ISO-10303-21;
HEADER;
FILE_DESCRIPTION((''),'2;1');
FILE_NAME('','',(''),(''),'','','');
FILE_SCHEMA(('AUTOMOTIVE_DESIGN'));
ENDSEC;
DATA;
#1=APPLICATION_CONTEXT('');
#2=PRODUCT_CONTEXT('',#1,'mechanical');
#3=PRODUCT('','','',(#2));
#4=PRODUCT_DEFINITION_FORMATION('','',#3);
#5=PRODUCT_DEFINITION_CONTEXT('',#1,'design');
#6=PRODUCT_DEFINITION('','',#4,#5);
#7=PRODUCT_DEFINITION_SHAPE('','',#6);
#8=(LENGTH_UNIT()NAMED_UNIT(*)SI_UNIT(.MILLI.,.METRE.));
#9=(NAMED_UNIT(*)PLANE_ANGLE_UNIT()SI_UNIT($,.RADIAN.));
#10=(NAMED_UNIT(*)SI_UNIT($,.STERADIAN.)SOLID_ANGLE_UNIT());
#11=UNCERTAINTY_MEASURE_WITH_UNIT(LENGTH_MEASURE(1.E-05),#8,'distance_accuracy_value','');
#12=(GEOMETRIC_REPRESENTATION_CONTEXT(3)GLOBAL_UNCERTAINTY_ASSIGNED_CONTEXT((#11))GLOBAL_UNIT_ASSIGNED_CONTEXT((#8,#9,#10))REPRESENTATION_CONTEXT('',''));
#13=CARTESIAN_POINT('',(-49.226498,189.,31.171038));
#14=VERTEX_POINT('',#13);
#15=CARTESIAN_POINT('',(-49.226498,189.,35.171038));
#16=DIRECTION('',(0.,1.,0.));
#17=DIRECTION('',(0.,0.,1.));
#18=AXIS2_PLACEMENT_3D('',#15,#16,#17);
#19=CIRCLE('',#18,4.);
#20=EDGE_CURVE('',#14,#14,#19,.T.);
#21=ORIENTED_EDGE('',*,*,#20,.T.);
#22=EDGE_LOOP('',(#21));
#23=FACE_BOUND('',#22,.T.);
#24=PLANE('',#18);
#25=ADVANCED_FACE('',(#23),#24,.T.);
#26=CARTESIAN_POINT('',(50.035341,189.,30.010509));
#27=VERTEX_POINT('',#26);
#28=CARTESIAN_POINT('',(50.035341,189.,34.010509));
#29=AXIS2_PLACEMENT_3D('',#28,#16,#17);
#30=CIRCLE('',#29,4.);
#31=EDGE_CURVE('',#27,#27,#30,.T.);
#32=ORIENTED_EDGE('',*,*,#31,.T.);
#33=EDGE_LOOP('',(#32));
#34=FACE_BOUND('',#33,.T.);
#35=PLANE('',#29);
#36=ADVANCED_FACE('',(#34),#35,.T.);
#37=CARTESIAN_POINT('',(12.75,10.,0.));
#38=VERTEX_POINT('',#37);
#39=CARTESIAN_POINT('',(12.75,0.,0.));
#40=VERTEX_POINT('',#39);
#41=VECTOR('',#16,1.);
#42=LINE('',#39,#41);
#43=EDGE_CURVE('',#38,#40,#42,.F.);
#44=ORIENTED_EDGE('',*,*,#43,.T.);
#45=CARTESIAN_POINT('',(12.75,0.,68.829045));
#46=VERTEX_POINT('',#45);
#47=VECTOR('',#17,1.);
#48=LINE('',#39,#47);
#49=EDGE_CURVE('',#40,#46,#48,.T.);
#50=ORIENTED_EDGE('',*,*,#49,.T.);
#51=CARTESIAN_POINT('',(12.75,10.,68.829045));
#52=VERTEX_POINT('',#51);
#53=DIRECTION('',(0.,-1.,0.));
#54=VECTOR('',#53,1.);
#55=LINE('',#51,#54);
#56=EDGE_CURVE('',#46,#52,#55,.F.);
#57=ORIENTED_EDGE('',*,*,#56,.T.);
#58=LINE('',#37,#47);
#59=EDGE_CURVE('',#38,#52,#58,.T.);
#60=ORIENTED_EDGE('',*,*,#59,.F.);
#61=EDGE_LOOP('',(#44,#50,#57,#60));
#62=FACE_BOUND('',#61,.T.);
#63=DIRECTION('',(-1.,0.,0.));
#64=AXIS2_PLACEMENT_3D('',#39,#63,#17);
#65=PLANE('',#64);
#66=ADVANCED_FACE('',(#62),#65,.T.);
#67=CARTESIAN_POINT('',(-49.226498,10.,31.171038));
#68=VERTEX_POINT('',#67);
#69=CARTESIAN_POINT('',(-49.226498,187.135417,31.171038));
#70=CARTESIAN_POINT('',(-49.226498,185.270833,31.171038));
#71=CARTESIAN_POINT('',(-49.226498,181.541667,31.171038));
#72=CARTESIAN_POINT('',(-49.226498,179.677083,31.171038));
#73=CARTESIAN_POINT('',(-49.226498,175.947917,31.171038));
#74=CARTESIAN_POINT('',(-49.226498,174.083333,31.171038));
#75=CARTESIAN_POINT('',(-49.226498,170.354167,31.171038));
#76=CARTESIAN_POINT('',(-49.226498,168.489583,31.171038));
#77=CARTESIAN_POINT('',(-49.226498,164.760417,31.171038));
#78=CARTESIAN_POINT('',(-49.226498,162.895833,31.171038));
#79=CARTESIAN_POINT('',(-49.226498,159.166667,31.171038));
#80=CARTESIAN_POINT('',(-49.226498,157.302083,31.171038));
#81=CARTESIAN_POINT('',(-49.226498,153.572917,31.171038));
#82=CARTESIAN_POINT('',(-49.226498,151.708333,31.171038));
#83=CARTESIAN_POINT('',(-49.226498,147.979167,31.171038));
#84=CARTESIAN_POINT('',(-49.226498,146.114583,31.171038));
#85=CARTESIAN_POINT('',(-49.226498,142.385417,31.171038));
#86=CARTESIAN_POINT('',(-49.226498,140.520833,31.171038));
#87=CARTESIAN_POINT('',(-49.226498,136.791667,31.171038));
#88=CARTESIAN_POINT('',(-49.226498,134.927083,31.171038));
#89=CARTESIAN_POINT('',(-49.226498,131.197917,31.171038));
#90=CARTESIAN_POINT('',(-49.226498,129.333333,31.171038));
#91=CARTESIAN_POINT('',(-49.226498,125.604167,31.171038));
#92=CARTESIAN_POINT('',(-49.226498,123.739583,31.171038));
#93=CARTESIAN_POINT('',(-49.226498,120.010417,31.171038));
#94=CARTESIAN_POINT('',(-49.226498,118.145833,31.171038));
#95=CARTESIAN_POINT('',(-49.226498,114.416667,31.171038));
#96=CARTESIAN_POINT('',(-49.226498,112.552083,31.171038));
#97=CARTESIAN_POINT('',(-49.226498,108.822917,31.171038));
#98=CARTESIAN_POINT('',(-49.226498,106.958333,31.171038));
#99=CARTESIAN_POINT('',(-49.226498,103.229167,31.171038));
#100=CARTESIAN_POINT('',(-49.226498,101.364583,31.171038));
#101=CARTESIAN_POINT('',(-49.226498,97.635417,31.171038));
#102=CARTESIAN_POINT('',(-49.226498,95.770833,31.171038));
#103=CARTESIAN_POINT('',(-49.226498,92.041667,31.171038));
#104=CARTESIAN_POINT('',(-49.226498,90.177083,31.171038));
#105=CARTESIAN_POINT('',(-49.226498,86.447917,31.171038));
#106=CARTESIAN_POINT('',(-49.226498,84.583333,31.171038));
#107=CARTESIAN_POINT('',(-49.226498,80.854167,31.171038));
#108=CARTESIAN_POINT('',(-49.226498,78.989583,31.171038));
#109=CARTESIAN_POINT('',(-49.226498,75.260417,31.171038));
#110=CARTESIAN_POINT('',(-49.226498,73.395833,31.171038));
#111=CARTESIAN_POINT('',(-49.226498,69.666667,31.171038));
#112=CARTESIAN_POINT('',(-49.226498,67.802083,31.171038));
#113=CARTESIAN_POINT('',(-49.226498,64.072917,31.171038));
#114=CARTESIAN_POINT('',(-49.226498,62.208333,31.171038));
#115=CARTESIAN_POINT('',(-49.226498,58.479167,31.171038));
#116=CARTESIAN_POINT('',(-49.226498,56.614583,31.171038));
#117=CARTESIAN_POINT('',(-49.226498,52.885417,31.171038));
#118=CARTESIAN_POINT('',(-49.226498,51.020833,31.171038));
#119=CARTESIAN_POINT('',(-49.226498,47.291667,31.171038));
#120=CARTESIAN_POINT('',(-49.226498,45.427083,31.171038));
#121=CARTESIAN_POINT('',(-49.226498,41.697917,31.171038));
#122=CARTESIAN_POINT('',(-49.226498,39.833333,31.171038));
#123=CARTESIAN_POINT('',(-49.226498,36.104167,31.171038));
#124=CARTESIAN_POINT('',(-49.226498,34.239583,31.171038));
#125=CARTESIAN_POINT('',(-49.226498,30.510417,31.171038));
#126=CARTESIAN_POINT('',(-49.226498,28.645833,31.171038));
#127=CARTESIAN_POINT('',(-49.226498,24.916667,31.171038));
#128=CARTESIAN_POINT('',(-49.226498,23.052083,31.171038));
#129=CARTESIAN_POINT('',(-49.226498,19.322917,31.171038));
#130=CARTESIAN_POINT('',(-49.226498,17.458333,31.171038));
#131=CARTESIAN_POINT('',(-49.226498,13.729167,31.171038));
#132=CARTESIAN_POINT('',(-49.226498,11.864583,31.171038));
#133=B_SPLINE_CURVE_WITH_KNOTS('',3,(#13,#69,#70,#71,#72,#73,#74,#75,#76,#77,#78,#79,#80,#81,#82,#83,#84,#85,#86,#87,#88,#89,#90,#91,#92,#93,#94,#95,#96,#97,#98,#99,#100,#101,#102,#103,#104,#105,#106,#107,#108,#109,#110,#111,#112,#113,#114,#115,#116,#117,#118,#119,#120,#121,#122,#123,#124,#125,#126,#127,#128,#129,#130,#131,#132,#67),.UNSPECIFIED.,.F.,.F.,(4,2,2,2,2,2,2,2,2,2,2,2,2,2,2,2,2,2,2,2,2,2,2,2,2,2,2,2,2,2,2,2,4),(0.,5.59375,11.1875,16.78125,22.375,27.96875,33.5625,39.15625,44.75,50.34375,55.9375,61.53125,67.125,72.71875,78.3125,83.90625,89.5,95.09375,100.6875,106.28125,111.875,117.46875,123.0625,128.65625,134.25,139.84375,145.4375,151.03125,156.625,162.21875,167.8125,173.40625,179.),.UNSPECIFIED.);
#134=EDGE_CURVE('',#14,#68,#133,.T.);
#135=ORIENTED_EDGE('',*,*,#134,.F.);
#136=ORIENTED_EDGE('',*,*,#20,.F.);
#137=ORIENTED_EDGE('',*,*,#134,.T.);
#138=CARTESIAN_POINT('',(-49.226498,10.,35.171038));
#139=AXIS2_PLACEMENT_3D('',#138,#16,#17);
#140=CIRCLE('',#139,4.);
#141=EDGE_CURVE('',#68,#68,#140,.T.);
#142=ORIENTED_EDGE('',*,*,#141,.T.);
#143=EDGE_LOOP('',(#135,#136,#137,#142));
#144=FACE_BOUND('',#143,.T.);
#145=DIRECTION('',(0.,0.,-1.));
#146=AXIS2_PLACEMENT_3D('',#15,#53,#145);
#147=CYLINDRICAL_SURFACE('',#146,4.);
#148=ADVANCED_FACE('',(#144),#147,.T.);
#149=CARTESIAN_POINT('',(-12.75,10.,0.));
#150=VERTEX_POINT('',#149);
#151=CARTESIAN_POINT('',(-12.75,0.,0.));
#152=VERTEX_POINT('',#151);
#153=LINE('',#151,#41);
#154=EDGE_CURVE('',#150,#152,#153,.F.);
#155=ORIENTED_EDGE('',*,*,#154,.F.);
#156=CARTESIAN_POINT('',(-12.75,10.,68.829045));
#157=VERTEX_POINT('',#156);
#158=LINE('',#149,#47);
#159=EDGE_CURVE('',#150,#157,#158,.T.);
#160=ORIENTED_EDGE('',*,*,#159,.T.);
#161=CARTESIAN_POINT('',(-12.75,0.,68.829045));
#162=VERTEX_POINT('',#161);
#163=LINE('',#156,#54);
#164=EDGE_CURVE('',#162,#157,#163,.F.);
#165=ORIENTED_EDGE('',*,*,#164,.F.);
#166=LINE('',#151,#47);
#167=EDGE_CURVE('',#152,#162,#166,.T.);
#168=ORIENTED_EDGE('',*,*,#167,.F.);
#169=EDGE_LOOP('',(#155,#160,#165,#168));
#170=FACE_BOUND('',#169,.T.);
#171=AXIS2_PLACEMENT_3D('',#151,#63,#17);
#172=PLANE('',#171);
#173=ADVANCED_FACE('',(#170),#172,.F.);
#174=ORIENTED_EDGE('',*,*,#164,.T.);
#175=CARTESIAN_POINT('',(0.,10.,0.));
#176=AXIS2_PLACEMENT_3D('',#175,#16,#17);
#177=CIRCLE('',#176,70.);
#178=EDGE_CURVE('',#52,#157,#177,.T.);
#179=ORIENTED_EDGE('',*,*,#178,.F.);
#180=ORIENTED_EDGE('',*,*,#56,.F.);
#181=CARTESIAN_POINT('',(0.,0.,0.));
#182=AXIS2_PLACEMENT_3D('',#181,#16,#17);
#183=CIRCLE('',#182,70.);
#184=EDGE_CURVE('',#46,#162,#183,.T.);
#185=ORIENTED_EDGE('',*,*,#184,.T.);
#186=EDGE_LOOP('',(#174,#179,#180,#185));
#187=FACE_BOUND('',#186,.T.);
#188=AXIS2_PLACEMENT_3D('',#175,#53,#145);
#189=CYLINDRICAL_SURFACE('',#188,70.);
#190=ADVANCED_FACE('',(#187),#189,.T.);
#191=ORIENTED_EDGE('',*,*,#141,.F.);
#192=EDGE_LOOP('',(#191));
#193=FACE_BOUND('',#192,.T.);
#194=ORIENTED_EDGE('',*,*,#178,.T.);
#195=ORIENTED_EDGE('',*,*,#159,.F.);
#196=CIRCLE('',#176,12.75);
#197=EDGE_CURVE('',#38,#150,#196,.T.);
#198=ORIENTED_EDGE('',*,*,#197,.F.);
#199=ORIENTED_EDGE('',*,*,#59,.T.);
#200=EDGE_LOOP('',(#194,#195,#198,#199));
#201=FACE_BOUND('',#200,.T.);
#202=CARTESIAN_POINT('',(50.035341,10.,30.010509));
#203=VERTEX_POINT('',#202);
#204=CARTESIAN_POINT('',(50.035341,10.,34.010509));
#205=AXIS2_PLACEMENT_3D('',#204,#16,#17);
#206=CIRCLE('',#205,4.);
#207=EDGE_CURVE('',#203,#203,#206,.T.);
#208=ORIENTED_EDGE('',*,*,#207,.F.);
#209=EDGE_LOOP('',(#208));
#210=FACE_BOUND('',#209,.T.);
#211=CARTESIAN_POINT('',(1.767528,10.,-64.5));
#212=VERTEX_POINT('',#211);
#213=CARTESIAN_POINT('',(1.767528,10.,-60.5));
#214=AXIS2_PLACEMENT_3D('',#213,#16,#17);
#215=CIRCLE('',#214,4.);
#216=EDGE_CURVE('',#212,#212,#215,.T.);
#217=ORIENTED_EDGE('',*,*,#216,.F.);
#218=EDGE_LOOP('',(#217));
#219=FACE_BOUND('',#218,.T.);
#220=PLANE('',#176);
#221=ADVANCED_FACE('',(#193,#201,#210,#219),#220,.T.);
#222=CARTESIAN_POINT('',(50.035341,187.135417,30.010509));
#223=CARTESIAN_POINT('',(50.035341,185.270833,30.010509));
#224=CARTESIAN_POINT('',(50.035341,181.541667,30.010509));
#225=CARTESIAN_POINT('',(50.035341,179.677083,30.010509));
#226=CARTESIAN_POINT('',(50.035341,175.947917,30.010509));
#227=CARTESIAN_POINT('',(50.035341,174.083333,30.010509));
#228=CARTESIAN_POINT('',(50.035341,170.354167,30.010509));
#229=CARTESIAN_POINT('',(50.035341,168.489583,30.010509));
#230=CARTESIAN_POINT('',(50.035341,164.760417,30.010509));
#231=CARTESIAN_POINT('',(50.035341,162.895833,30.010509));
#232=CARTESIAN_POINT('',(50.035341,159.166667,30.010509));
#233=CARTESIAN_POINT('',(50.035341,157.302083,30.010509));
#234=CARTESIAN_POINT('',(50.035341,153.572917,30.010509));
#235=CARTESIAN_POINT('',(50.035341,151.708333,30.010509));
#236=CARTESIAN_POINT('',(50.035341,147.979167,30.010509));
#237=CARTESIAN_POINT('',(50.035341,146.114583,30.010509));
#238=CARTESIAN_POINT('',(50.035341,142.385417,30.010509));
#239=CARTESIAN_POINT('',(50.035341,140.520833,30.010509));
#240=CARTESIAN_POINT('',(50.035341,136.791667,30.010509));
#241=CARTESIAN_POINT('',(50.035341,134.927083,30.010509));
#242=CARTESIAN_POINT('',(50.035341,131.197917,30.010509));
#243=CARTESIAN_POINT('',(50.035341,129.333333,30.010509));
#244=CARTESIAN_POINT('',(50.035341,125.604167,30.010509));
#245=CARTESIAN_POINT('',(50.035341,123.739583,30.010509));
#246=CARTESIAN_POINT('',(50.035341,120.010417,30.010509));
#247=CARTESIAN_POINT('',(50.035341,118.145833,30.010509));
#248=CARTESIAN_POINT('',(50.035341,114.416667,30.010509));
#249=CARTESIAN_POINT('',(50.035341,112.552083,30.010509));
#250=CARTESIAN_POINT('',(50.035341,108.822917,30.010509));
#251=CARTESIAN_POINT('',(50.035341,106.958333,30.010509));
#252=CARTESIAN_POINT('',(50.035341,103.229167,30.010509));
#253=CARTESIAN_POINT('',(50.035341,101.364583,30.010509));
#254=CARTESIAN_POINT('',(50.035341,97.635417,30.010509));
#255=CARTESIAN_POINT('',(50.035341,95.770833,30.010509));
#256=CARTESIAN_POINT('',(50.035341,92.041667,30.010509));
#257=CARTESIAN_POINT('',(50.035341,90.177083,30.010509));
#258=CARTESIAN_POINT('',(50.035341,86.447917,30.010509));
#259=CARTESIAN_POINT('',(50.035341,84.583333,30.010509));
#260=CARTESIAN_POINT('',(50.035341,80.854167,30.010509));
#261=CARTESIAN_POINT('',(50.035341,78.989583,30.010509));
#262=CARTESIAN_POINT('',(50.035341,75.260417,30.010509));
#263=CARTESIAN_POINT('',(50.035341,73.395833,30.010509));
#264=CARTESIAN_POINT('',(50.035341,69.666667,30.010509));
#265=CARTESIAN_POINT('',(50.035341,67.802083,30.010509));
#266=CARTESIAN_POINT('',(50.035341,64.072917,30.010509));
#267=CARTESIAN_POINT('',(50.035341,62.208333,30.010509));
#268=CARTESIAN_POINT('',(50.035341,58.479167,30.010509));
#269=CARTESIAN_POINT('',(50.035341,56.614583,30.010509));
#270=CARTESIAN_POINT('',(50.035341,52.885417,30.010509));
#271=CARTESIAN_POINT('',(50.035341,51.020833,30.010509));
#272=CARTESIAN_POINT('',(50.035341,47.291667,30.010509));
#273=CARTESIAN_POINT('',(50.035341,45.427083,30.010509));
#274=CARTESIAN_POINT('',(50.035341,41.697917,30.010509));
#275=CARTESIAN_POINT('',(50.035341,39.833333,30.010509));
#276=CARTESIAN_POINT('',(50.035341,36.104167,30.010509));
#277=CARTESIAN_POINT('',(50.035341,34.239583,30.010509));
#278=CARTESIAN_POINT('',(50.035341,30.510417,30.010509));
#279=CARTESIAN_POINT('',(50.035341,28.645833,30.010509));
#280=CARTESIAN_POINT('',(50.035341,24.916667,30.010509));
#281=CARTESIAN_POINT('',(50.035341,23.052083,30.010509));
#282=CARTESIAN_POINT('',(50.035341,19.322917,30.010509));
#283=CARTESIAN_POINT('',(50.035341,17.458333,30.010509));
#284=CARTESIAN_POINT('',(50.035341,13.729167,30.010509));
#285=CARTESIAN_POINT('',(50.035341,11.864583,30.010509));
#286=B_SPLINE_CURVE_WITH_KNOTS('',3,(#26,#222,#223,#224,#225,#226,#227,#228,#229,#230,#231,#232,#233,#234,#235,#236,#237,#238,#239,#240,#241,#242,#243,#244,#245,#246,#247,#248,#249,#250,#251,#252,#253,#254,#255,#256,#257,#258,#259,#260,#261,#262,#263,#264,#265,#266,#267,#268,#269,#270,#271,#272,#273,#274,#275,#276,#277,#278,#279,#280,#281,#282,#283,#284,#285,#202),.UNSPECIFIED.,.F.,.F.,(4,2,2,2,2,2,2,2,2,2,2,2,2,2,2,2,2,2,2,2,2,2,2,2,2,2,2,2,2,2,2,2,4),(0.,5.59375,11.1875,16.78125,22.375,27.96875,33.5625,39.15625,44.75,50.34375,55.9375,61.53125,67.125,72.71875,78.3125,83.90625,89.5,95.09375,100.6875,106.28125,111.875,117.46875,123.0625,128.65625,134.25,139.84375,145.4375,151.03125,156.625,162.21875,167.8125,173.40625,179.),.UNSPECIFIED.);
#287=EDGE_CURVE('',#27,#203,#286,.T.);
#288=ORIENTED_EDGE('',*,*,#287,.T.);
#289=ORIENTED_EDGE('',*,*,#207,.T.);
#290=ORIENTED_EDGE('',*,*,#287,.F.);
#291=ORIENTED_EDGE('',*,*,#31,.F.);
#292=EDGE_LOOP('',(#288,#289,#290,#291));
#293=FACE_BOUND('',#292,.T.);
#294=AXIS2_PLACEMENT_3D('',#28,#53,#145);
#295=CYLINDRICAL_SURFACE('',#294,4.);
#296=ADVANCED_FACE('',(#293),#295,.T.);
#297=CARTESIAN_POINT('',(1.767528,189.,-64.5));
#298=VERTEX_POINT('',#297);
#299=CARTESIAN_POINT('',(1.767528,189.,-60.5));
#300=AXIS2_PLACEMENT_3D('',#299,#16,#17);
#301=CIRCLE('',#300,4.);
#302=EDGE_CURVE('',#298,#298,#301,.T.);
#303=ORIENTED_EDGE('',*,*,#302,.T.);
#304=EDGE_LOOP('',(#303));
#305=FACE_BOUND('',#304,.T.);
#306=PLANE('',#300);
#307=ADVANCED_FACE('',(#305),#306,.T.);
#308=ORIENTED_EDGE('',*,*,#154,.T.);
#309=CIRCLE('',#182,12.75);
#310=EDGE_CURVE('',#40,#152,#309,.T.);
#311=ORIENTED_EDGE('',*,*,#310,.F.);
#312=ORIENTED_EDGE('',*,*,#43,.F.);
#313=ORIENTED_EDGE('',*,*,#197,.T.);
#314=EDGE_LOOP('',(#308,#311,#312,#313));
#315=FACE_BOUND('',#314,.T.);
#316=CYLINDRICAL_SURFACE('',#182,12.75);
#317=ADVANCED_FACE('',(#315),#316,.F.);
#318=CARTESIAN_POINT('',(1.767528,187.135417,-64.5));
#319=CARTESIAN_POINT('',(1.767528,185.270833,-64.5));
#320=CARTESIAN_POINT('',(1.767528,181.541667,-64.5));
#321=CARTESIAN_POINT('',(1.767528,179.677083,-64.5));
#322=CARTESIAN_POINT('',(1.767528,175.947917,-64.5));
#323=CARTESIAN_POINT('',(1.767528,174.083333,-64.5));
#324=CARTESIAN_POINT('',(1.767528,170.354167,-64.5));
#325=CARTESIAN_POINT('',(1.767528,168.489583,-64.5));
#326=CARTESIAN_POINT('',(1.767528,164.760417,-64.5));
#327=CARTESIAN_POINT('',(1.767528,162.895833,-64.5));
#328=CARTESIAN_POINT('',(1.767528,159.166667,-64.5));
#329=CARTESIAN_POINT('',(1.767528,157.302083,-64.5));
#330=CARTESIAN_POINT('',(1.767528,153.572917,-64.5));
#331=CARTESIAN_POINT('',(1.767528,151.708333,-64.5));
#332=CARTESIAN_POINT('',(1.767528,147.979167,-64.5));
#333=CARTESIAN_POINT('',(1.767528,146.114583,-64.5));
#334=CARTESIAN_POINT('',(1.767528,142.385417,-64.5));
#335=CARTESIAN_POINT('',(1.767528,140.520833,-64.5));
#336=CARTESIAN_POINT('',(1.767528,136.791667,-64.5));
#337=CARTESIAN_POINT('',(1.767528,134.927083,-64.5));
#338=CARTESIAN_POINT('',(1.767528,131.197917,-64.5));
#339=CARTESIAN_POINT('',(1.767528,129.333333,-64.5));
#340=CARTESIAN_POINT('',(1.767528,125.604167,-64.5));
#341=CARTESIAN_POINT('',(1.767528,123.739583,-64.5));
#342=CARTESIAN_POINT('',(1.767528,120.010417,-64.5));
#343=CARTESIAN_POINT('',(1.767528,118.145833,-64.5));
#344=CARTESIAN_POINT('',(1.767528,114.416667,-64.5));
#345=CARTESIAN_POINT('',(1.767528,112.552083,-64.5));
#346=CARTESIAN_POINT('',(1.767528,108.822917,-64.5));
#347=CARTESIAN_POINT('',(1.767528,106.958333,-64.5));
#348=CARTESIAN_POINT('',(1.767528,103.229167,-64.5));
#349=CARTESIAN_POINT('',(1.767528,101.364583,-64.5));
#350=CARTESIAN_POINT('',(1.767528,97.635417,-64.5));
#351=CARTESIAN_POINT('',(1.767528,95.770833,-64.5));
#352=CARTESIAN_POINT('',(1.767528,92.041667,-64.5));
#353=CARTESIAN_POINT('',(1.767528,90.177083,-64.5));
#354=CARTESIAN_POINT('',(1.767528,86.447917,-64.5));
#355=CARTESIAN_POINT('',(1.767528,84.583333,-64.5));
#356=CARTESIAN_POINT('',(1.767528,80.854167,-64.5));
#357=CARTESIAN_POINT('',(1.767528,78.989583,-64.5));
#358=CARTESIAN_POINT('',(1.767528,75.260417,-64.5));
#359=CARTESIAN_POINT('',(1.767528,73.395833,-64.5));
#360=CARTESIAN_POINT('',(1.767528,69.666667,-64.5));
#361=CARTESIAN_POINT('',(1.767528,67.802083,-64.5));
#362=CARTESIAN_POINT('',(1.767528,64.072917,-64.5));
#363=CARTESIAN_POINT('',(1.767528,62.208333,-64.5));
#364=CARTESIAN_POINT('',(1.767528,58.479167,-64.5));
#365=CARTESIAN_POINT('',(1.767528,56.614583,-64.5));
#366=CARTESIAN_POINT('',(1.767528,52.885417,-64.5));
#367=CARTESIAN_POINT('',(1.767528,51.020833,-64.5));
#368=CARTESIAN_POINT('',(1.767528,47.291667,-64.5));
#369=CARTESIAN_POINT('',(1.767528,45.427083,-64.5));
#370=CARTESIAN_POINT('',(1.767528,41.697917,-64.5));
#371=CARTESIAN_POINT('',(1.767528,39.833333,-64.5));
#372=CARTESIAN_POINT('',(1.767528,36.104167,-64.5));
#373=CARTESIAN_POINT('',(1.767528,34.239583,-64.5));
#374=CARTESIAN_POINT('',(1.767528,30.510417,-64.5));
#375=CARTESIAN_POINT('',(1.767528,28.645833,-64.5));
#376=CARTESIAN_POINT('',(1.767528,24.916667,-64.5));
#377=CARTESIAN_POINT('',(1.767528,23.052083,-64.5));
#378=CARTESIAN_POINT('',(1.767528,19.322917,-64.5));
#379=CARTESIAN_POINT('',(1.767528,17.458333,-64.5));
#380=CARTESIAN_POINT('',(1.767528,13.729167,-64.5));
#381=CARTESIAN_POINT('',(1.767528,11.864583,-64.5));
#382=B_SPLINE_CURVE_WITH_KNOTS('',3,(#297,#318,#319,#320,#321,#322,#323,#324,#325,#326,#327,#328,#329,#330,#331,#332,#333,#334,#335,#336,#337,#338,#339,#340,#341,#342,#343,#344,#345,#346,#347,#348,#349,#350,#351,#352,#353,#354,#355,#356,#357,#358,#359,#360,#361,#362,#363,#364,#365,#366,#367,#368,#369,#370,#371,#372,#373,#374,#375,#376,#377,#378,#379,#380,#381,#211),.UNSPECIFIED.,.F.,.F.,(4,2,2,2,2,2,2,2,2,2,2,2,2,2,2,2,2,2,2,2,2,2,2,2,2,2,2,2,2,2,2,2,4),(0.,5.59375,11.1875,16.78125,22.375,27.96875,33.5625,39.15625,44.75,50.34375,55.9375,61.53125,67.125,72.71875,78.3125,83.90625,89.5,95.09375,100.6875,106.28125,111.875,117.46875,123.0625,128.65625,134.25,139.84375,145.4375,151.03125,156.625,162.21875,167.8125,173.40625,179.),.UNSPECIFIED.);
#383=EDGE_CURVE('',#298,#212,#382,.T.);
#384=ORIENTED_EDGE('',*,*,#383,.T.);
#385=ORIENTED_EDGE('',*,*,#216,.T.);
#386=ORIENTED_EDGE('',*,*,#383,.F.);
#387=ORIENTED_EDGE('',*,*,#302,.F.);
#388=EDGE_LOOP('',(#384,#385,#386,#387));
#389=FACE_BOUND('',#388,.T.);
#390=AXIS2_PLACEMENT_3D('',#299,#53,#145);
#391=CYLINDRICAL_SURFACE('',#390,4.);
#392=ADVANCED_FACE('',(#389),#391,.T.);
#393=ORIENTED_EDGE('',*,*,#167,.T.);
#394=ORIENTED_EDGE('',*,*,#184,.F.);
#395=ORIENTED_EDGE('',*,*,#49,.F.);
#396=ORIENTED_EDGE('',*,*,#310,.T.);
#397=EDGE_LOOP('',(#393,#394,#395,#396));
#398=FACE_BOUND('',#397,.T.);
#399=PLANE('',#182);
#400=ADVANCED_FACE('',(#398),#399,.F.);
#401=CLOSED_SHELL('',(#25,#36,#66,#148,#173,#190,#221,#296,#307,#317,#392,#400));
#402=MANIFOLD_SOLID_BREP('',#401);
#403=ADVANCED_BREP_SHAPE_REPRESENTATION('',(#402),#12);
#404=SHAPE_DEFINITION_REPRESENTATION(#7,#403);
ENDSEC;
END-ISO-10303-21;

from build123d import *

# Parameters (mm, degrees)
SKETCH_1_R          = 70
EXTRUDE_1_DEPTH     = 10
SKETCH_2_R          = 4
EXTRUDE_4_DEPTH     = 179
SKETCH_5_R          = 12.75
SKETCH_5_W          = 25.5
SKETCH_5_H          = 74.344778921
CUT_EXTRUDE_1_DEPTH = 10


with BuildPart() as part:
    # 草图1 → 凸台-拉伸1 (new body)
    with BuildSketch(Plane(origin=(0, 0, 0), x_dir=(1, 0, 0), z_dir=(0, 1, 0))):
        with Locations(Location((0, 0, 0), (0, 0, 270))):
            Circle(SKETCH_1_R)
    extrude(amount=EXTRUDE_1_DEPTH)

    # 草图2 → 凸台-拉伸4 (add)
    with BuildSketch(Plane(origin=(0, 10, 0), x_dir=(1, 0, 0), z_dir=(0, 1, 0))):
        with Locations(Location((-49.22649816, -35.171037501, 0), (0, 0, 90))):
            Circle(SKETCH_2_R)
        with Locations(Location((1.767528256, 60.5, 0), (0, 0, 90))):
            Circle(SKETCH_2_R)
        with Locations(Location((50.035340598, -34.010508542, 0), (0, 0, 90))):
            Circle(SKETCH_2_R)
    extrude(amount=EXTRUDE_4_DEPTH)

    # 草图5 → 切除-拉伸1 (cut)
    with BuildSketch(Plane(origin=(0, 10, 0), x_dir=(1, 0, 0), z_dir=(0, 1, 0))):
        Circle(SKETCH_5_R)
        with Locations((0, -37.17238946)):
            Rectangle(SKETCH_5_W, SKETCH_5_H)
    extrude(amount=-CUT_EXTRUDE_1_DEPTH, mode=Mode.SUBTRACT)


solid = part.part
